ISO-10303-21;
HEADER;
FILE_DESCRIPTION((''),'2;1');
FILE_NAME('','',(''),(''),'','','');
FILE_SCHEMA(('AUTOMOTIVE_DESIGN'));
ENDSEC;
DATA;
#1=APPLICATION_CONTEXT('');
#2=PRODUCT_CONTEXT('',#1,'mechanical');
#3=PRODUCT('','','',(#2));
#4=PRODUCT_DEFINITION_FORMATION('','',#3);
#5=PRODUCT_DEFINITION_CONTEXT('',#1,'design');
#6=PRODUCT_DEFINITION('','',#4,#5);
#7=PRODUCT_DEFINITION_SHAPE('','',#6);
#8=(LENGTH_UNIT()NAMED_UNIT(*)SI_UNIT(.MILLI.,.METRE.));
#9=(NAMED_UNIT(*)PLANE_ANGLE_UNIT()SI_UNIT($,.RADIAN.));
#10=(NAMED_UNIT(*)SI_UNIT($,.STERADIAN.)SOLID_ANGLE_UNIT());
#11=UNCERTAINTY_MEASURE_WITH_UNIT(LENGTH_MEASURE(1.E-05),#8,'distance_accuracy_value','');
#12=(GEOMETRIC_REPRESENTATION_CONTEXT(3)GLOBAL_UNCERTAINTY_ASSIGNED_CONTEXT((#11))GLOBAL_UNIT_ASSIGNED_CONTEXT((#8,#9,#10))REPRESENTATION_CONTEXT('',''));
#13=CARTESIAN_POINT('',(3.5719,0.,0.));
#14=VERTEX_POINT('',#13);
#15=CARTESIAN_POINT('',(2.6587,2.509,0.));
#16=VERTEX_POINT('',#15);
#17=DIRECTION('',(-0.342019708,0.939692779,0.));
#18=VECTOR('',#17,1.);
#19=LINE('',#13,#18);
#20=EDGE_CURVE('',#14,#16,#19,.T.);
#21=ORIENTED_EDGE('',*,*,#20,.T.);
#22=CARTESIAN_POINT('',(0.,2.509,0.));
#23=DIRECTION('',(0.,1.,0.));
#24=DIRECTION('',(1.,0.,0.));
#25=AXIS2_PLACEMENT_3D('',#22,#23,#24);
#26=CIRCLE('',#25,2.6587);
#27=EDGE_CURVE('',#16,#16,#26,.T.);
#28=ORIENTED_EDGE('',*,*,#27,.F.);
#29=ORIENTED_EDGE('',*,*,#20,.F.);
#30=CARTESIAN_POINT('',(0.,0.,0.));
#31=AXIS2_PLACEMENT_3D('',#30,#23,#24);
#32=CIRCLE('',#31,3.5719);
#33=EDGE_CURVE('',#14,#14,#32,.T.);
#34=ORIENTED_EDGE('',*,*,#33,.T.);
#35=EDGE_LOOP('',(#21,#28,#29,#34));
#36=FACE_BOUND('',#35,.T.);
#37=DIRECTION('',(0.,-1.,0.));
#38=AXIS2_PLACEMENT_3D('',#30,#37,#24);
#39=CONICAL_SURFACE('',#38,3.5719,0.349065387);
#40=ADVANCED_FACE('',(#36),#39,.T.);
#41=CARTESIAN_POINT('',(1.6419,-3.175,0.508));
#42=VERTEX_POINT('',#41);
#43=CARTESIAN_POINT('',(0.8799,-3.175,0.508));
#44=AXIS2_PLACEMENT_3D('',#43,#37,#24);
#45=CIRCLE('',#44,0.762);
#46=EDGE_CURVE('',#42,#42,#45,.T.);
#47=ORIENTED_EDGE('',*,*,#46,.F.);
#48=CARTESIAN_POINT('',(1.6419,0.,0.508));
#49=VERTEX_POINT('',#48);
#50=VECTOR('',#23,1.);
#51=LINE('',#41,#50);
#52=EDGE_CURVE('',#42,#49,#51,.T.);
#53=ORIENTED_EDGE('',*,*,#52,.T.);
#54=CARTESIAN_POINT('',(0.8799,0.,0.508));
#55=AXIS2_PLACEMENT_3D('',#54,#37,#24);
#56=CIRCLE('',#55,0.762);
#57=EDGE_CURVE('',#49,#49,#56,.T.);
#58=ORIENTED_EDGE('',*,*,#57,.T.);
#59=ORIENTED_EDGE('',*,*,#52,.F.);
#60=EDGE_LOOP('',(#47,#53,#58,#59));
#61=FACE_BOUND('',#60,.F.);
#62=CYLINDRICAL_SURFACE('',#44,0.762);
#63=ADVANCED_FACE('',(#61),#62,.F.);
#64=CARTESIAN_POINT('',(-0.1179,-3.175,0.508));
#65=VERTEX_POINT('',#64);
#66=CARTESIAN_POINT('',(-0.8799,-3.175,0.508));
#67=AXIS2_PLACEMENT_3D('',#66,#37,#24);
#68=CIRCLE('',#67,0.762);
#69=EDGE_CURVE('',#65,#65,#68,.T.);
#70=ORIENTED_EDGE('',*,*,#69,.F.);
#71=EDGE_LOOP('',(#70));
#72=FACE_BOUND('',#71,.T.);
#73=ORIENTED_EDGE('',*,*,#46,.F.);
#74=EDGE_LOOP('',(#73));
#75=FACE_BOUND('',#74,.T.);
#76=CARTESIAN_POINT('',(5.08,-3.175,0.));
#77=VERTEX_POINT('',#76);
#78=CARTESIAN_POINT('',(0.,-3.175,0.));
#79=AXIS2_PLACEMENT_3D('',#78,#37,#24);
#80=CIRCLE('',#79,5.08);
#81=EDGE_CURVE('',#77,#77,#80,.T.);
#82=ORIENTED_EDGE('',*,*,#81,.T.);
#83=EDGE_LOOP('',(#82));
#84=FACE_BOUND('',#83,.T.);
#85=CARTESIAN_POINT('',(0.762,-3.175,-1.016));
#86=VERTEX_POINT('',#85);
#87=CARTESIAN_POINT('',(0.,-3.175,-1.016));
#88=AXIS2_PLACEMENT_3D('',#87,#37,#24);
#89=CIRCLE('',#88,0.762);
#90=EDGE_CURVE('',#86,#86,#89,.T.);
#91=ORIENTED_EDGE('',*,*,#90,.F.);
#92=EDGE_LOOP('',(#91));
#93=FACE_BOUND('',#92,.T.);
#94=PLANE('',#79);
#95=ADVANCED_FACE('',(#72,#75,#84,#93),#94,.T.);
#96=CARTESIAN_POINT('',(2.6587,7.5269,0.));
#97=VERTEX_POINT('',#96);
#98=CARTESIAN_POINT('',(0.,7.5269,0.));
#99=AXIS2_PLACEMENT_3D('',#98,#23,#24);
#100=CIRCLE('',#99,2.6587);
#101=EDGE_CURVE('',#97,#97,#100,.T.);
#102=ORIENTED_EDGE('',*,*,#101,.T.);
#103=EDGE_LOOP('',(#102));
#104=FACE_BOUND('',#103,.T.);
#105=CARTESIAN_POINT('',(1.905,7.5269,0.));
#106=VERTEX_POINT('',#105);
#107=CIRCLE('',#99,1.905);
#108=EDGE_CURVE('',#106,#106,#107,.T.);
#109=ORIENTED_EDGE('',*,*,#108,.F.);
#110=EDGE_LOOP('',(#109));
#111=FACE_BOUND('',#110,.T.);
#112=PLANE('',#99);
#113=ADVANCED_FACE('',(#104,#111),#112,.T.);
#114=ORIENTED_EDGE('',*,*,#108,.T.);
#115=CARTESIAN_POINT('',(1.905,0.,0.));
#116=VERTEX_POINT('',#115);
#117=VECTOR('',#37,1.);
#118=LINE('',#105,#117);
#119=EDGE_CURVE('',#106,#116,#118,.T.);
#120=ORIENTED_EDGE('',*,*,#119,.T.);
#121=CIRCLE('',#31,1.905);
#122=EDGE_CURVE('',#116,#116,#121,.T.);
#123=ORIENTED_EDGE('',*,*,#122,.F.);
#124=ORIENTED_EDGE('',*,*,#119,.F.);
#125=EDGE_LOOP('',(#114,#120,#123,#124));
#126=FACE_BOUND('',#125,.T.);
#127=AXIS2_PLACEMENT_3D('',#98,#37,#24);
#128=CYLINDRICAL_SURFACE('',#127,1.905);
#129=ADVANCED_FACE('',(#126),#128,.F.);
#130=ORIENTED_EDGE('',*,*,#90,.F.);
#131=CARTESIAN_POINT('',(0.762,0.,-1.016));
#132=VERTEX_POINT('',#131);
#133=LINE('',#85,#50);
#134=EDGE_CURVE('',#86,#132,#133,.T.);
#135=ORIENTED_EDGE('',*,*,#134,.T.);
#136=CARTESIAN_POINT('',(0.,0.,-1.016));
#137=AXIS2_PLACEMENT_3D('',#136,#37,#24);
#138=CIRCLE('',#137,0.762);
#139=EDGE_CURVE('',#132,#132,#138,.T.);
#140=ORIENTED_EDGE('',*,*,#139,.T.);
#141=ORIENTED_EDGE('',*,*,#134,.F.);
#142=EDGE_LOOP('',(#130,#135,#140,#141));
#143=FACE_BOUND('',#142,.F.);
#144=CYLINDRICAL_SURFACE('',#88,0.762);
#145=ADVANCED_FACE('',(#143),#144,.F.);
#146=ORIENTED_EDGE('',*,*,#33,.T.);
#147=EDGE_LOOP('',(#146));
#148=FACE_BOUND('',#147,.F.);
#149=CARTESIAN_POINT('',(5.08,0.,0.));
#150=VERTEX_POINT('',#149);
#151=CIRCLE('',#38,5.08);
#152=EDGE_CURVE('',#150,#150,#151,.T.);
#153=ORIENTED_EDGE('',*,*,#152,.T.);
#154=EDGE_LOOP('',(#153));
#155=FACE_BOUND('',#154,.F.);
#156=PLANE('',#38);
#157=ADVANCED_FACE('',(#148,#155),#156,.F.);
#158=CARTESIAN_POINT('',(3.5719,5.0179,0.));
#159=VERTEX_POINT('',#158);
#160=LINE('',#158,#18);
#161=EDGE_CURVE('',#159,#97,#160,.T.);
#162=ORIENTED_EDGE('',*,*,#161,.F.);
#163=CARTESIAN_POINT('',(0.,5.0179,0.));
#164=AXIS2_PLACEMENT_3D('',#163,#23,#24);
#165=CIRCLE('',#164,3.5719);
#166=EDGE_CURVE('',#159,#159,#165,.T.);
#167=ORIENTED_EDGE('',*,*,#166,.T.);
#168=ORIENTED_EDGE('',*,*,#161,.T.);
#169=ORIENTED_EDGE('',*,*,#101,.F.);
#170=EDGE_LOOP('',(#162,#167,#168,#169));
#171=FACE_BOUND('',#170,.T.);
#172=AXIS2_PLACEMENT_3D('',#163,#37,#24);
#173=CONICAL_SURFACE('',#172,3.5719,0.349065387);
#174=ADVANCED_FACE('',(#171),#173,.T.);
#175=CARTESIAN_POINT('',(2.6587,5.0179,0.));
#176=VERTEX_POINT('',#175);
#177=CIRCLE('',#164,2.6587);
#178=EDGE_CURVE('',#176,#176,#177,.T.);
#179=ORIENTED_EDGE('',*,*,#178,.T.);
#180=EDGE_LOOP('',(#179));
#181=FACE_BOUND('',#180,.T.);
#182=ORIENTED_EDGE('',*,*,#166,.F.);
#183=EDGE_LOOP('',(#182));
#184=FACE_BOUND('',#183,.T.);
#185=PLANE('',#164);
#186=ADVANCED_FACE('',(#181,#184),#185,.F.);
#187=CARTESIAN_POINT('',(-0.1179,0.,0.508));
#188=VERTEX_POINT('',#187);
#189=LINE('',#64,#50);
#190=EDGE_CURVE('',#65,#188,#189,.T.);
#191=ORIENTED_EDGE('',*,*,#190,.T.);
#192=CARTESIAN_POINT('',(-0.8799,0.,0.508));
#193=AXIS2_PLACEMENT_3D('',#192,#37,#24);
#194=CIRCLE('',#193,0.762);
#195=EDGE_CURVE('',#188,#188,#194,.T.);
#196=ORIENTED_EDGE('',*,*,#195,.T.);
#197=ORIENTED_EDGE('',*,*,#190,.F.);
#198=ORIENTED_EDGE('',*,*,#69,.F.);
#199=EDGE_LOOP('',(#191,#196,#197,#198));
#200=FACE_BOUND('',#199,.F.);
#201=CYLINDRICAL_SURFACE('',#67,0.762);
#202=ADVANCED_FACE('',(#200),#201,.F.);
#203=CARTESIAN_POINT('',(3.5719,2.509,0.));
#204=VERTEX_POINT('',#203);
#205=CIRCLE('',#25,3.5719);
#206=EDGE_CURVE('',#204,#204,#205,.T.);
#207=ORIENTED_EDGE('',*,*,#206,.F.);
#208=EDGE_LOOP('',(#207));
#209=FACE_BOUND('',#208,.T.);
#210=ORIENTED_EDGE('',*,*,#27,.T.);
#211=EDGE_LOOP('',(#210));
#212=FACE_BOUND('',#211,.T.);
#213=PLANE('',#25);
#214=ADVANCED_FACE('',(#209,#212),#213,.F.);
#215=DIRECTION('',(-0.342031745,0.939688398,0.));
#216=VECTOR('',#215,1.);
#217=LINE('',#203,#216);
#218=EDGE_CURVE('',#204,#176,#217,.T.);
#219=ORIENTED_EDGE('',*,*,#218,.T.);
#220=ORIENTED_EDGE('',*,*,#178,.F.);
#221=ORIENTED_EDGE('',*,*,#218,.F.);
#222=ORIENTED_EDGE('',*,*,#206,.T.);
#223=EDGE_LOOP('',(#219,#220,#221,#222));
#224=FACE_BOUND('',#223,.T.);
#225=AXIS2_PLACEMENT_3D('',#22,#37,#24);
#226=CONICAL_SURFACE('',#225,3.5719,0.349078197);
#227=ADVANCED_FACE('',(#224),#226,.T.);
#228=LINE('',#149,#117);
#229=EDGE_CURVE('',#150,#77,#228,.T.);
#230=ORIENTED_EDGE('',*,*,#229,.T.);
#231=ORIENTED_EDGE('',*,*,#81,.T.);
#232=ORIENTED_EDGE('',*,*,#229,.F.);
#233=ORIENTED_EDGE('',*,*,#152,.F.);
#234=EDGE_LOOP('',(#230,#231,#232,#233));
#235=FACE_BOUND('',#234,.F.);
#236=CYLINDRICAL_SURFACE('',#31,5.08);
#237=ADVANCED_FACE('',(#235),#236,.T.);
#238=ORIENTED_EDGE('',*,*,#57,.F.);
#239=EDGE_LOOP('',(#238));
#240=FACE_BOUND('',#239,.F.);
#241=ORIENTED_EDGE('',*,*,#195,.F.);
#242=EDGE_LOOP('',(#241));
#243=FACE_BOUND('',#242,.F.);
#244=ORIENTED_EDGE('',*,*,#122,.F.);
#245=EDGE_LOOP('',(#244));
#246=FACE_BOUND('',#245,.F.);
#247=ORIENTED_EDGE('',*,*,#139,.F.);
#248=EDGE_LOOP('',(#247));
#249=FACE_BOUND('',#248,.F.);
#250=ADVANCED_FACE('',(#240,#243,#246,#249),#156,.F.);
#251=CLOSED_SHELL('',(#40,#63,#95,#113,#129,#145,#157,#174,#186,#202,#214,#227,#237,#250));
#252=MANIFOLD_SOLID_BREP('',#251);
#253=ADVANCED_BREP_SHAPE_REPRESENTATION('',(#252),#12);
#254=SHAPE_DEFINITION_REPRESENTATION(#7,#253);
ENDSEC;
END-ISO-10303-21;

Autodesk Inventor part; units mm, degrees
ref_plane "YZ Plane" through (0, 0, 0) normal (1, 0, 0) x (0, 1, 0)
ref_plane "XZ Plane" through (0, 0, 0) normal (0, 1, 0) x (-1, 0, 0)
ref_plane "XY Plane" through (0, 0, 0) normal (0, 0, 1) x (1, 0, 0)
sketch "Sketch1" plane through (0, 0, 0) normal (0, 0, 1) x (1, 0, 0)
  line L0 (0, 0) -> (3.5719, 0) construction
  line L1 (1.905, 7.5269) -> (1.905, 0)
  line L2 (1.905, 0) -> (3.5719, 0)
  line L3 (0, 0) -> (0, 5.4125) construction
  line L4 (3.5719, 0) -> (2.6587, 2.509)
  line L5 (2.6587, 2.509) -> (3.5719, 2.509)
  line L6 (3.5719, 2.509) -> (2.6587, 5.0179)
  line L7 (2.6587, 5.0179) -> (3.5719, 5.0179)
  line L8 (3.5719, 5.0179) -> (2.6587, 7.5269)
  line L9 (2.6587, 7.5269) -> (1.905, 7.5269)
  point P0 (2.0609, 0)
  dimension "d0" = 3.5719
  dimension "d4" = 1.905
  dimension "d9" = 70
  dimension "d12" = 70
revolve "Revolution1" add sketch "Sketch1" angle 360 about axis through (0, 0, 0) along (0, 1, 0)
sketch "Sketch2" plane through (0, 0, 0) normal (0, -1, 0) x (1, 0, 0)
  circle A0 centre (0, 0) radius 5.08
  dimension "d5" = 10.16
extrude "Extrusion1" add sketch "Sketch2" along normal blind 3.175
sketch "Sketch4" plane through (0, -3.175, 0) normal (0, -1, 0) x (1, 0, 0)
  circle A0 centre (0, 0) radius 1.905 projected
  circle A1 centre (0, -1.016) radius 0.762
  circle A2 centre (0.8799, 0.508) radius 0.762
  circle A3 centre (-0.8799, 0.508) radius 0.762
  dimension "d50" = 1.524
  dimension "d51" = 0.127
  dimension "d54" = 360
extrude "Extrusion3" cut sketch "Sketch4" against normal through all contours A1 | A2 | A3
properties part number "Hose Barb_3DPrint"
